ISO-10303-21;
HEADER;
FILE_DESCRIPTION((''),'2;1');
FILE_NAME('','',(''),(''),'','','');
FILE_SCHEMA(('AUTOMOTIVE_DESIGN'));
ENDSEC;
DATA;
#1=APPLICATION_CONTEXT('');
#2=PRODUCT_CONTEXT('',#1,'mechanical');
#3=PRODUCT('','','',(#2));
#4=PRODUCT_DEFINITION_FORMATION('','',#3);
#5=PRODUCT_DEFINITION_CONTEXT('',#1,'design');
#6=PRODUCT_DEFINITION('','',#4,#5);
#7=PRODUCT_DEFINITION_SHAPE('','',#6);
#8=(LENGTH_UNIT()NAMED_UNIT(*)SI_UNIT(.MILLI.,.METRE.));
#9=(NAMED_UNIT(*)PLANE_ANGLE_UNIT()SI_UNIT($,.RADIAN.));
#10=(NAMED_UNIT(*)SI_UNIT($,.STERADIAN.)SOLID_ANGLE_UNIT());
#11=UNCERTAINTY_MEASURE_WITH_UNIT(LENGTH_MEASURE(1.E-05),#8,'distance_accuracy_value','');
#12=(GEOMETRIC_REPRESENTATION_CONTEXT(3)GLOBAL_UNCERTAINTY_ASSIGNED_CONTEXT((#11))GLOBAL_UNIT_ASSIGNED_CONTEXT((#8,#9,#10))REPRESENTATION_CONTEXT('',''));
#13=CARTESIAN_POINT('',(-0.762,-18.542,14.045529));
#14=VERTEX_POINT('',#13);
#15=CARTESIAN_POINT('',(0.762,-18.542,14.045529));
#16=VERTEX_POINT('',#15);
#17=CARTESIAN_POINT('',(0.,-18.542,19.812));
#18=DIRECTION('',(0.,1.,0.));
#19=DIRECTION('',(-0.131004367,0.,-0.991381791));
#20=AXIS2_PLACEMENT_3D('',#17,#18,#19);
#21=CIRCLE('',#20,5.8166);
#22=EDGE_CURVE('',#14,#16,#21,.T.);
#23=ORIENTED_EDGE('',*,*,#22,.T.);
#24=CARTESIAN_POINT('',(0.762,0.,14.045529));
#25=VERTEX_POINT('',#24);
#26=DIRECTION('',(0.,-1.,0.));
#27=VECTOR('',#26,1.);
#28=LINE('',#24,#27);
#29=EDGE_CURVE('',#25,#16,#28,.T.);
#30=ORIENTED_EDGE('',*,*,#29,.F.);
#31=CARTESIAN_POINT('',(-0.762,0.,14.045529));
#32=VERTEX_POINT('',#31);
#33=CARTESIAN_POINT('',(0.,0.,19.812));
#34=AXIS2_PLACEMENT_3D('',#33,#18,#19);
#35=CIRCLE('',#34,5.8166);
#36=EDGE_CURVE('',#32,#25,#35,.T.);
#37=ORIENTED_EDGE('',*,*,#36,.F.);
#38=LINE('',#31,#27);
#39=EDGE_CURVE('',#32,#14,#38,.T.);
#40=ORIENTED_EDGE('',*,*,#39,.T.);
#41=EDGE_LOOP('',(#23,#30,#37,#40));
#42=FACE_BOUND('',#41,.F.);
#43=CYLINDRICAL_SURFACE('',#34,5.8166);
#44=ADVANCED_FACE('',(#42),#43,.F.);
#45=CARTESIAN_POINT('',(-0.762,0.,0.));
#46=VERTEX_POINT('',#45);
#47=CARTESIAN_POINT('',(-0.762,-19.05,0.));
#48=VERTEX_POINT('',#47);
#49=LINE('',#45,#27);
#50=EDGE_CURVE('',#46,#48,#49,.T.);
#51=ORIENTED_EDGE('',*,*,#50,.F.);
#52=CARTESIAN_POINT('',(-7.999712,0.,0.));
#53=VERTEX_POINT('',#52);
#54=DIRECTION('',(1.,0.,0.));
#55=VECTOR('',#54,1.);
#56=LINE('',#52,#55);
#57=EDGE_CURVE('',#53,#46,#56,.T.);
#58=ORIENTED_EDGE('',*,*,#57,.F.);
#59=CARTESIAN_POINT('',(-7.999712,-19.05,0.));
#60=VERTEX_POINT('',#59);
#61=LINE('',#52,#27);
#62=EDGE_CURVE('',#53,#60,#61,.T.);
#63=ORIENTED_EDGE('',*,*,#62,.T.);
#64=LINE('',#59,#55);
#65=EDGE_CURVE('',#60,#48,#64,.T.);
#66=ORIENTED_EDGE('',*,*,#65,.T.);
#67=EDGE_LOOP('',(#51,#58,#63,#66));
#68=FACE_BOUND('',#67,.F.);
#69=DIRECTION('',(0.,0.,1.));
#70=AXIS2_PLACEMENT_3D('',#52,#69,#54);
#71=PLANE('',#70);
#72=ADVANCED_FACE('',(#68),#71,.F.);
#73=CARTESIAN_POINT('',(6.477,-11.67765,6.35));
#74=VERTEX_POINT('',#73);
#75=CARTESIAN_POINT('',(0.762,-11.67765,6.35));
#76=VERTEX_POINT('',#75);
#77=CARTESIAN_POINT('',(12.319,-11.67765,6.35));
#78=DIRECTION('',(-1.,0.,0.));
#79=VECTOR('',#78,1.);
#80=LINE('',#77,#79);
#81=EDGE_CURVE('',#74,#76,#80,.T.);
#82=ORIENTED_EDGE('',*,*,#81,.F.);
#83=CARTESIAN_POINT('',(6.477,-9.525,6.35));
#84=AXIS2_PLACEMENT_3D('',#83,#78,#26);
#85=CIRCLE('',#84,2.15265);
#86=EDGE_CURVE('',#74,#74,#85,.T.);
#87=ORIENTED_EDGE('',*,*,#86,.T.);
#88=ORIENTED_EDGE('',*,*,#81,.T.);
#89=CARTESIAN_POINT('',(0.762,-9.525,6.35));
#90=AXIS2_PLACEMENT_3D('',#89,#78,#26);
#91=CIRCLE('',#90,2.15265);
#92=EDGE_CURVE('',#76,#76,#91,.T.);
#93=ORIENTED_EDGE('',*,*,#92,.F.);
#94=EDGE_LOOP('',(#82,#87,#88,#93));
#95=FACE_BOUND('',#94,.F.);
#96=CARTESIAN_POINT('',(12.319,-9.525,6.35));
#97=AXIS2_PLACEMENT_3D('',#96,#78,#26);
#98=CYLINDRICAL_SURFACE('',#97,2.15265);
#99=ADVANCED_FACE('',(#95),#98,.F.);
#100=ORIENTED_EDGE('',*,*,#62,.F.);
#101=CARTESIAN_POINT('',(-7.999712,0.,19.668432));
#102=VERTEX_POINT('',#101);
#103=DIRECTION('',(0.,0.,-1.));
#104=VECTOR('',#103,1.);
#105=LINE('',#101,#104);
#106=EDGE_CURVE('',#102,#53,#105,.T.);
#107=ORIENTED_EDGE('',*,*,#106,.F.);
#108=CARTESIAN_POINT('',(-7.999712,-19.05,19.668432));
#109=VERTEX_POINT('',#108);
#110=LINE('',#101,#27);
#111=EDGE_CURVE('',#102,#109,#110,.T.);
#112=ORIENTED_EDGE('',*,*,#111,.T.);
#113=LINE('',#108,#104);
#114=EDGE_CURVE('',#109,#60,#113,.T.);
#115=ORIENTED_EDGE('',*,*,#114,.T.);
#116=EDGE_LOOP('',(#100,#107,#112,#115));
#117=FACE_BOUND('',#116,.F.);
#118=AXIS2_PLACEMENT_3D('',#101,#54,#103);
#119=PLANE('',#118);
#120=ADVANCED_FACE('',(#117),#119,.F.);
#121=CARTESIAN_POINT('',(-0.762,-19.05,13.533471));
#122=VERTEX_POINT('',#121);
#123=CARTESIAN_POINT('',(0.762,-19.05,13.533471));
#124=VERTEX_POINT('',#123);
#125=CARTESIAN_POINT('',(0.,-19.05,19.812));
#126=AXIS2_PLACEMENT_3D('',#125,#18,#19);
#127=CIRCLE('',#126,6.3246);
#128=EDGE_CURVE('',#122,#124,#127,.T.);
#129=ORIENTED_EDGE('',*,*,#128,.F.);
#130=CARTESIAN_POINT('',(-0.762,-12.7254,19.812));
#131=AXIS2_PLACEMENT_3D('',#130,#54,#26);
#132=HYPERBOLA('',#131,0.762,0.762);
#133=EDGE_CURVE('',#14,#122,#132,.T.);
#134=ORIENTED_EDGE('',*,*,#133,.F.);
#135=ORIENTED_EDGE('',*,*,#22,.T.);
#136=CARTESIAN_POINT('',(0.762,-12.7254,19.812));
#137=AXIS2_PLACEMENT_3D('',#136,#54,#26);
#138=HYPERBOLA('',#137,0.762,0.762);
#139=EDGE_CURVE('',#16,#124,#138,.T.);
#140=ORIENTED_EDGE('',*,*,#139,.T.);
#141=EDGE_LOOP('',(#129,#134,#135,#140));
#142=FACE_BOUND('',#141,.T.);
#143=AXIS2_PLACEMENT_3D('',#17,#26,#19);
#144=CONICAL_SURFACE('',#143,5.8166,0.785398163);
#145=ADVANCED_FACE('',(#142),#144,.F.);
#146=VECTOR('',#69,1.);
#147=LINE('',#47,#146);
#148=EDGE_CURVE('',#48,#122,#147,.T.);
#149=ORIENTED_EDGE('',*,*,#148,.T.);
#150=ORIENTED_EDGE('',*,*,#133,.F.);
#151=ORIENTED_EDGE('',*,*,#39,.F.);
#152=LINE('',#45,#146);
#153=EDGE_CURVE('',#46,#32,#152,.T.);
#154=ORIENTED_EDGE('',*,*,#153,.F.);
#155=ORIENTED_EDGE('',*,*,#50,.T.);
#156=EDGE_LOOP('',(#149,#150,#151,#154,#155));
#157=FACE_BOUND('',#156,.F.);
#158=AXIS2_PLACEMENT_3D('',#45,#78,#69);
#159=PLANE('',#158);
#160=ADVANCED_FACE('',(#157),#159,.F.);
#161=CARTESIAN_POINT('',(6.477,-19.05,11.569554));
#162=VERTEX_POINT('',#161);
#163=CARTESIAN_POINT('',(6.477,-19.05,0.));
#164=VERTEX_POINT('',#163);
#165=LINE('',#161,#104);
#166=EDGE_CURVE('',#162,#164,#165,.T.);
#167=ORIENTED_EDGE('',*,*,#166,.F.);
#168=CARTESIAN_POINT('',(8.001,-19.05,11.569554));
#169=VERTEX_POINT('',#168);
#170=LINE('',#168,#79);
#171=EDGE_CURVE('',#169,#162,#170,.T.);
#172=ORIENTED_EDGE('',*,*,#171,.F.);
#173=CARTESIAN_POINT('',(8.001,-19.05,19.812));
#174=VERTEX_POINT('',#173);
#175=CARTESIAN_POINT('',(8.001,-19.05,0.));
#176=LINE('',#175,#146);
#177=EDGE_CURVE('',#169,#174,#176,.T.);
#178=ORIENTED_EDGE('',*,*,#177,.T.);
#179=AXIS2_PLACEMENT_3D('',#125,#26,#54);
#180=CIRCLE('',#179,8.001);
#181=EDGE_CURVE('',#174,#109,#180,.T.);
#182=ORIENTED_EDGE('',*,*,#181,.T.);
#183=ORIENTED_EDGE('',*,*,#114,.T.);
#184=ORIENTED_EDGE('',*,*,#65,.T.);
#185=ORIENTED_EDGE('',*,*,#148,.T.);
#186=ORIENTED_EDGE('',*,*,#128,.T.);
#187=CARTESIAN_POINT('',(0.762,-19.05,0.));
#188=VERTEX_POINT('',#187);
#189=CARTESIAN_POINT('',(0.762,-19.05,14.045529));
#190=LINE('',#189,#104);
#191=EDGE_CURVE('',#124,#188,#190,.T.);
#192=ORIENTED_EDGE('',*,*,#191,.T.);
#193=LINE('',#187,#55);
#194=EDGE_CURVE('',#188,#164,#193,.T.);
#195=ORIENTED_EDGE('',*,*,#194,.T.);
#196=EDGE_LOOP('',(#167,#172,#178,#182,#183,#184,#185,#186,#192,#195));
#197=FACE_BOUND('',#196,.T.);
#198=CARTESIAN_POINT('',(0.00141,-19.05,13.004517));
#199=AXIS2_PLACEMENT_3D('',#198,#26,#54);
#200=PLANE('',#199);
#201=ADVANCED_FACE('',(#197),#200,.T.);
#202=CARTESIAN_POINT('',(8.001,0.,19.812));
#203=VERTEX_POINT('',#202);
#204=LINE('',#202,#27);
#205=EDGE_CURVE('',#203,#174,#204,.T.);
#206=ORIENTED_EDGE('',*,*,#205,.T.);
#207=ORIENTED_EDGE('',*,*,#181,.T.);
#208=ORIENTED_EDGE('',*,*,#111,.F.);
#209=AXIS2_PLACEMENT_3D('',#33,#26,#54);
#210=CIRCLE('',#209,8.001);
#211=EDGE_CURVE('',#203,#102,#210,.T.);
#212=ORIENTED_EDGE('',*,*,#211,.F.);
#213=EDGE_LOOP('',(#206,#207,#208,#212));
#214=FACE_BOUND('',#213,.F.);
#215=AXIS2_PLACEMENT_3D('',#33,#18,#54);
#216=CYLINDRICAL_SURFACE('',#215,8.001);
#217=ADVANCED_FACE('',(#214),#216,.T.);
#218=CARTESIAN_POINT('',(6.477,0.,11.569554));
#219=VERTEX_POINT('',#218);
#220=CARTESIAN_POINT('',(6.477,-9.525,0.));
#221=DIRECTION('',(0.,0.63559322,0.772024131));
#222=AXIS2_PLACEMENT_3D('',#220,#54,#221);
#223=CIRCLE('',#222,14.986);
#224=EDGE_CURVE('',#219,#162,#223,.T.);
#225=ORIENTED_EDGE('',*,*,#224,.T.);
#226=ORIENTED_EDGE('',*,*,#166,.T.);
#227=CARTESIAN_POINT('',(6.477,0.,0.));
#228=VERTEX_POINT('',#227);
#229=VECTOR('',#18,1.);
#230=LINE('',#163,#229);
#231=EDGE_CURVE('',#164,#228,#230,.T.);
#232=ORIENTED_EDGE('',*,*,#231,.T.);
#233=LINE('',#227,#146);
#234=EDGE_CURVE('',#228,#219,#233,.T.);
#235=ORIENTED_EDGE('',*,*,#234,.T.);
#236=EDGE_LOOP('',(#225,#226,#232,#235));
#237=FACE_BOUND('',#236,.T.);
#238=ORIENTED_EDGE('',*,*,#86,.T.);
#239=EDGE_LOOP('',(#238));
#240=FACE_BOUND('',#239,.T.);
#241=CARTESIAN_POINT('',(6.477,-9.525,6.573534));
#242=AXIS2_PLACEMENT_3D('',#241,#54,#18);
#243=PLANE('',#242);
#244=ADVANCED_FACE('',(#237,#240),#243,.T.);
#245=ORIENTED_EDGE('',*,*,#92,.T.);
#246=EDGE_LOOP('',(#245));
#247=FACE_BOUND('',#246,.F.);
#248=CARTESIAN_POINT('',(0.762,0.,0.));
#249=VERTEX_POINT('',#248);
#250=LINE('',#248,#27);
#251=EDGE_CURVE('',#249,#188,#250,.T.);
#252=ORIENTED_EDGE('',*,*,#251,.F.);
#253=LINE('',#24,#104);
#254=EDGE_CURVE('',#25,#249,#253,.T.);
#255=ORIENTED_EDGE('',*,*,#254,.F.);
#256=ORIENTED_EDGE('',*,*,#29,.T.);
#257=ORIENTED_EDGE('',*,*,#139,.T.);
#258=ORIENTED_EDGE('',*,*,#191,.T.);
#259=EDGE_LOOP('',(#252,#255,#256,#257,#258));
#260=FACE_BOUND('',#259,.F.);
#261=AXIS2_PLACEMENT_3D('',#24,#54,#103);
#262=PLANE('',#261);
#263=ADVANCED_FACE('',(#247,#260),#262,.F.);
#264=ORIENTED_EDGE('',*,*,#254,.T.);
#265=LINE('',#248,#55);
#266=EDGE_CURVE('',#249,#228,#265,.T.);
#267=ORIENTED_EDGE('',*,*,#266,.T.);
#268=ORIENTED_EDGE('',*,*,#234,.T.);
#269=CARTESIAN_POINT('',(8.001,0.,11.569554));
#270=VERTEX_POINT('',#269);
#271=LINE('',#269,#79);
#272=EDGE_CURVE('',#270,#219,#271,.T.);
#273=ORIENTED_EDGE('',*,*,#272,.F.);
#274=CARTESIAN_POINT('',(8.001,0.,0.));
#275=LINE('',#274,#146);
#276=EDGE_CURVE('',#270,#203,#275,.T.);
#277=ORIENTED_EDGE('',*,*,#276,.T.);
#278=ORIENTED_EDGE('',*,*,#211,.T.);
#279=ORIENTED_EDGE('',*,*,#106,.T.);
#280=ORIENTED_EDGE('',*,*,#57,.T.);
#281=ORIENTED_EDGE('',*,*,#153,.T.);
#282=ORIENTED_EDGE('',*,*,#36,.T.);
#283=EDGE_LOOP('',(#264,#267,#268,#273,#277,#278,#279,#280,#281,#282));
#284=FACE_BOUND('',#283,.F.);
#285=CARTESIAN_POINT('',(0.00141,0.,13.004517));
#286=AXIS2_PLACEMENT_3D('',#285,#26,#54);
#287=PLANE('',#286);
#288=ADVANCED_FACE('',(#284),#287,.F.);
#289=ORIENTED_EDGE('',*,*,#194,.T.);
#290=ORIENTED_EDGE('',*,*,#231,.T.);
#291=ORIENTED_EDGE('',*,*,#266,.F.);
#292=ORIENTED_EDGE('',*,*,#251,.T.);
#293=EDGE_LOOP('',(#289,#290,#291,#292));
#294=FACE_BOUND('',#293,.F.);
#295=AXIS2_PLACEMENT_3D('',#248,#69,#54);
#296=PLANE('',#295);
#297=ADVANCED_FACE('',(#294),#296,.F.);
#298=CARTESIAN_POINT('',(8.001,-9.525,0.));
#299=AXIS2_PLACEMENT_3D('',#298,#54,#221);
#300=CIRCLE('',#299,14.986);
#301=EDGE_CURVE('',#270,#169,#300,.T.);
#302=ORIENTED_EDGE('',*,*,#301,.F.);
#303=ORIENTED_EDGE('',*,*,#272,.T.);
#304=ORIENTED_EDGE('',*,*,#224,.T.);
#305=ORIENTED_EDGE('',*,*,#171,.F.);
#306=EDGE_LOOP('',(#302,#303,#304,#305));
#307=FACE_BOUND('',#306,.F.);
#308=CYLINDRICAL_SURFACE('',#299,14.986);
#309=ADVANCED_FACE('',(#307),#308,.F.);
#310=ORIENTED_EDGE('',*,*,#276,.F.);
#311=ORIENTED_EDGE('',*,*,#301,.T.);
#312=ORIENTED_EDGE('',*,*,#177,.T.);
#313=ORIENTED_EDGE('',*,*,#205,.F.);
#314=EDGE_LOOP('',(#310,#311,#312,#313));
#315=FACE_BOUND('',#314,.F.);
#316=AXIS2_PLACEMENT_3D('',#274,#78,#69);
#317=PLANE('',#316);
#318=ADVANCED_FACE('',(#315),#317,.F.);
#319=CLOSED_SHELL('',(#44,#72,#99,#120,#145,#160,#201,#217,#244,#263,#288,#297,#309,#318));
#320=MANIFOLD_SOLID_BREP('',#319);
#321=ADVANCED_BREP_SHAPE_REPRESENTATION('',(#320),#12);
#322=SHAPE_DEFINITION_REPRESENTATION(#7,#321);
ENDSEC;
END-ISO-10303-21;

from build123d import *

# Parameters (mm, degrees)
F1_DEPTH = 19.05
F2_SIZE  = 0.508
F4_DEPTH = 1.524
F6_D     = 4.3053
F6_DEPTH = 5.842
F6_TIP   = 1.2934426115


with BuildPart() as f1:
    # F0 (on Front) → F1 (new body)
    with BuildSketch(Plane.XZ):
        with BuildLine():
            Line((8.001, 0), (8.001, 19.812))
            ThreePointArc((8.001, 19.812), (-0.0717867798, 27.8126779499), (-7.9997118256, 19.6684322195))
            Line((-7.9997118256, 19.6684322195), (-7.9997118256, 0))
            Line((-7.9997118256, 0), (-0.762, 0))
            Line((-0.762, 0), (-0.762, 14.0455286734))
            ThreePointArc((-0.762, 14.0455286734), (0, 25.6286), (0.762, 14.0455286734))
            Line((0.762, 14.0455286734), (0.762, 0))
            Line((0.762, 0), (8.001, 0))
        make_face()
    extrude(amount=F1_DEPTH)

    # F2
    f2_edges = [f1.edges().sort_by_distance(p)[0] for p in [
        (0, -19.05, 25.6286),
    ]]
    chamfer(f2_edges, length=F2_SIZE)

    # F3 (on face) → F4 (cut)
    with BuildSketch(Plane.YZ.offset(8.001)):
        with BuildLine():
            Line((0, 0), (0, 11.5695536215))
            ThreePointArc((0, 11.5695536215), (-9.525, 14.986), (-19.05, 11.5695536215))
            Line((-19.05, 11.5695536215), (-19.05, 0))
            Line((-19.05, 0), (0, 0))
        make_face()
    extrude(amount=-F4_DEPTH, mode=Mode.SUBTRACT)

    # F6
    with Locations(Plane.YZ.offset(6.477)):
        with Locations((-9.525, 6.35)):
            Hole(F6_D / 2, depth=F6_DEPTH)
            with Locations((0, 0, -(F6_DEPTH + F6_TIP / 2))):  # 118° drill point
                Cone(0, F6_D / 2, F6_TIP, mode=Mode.SUBTRACT)


solid = f1.part
